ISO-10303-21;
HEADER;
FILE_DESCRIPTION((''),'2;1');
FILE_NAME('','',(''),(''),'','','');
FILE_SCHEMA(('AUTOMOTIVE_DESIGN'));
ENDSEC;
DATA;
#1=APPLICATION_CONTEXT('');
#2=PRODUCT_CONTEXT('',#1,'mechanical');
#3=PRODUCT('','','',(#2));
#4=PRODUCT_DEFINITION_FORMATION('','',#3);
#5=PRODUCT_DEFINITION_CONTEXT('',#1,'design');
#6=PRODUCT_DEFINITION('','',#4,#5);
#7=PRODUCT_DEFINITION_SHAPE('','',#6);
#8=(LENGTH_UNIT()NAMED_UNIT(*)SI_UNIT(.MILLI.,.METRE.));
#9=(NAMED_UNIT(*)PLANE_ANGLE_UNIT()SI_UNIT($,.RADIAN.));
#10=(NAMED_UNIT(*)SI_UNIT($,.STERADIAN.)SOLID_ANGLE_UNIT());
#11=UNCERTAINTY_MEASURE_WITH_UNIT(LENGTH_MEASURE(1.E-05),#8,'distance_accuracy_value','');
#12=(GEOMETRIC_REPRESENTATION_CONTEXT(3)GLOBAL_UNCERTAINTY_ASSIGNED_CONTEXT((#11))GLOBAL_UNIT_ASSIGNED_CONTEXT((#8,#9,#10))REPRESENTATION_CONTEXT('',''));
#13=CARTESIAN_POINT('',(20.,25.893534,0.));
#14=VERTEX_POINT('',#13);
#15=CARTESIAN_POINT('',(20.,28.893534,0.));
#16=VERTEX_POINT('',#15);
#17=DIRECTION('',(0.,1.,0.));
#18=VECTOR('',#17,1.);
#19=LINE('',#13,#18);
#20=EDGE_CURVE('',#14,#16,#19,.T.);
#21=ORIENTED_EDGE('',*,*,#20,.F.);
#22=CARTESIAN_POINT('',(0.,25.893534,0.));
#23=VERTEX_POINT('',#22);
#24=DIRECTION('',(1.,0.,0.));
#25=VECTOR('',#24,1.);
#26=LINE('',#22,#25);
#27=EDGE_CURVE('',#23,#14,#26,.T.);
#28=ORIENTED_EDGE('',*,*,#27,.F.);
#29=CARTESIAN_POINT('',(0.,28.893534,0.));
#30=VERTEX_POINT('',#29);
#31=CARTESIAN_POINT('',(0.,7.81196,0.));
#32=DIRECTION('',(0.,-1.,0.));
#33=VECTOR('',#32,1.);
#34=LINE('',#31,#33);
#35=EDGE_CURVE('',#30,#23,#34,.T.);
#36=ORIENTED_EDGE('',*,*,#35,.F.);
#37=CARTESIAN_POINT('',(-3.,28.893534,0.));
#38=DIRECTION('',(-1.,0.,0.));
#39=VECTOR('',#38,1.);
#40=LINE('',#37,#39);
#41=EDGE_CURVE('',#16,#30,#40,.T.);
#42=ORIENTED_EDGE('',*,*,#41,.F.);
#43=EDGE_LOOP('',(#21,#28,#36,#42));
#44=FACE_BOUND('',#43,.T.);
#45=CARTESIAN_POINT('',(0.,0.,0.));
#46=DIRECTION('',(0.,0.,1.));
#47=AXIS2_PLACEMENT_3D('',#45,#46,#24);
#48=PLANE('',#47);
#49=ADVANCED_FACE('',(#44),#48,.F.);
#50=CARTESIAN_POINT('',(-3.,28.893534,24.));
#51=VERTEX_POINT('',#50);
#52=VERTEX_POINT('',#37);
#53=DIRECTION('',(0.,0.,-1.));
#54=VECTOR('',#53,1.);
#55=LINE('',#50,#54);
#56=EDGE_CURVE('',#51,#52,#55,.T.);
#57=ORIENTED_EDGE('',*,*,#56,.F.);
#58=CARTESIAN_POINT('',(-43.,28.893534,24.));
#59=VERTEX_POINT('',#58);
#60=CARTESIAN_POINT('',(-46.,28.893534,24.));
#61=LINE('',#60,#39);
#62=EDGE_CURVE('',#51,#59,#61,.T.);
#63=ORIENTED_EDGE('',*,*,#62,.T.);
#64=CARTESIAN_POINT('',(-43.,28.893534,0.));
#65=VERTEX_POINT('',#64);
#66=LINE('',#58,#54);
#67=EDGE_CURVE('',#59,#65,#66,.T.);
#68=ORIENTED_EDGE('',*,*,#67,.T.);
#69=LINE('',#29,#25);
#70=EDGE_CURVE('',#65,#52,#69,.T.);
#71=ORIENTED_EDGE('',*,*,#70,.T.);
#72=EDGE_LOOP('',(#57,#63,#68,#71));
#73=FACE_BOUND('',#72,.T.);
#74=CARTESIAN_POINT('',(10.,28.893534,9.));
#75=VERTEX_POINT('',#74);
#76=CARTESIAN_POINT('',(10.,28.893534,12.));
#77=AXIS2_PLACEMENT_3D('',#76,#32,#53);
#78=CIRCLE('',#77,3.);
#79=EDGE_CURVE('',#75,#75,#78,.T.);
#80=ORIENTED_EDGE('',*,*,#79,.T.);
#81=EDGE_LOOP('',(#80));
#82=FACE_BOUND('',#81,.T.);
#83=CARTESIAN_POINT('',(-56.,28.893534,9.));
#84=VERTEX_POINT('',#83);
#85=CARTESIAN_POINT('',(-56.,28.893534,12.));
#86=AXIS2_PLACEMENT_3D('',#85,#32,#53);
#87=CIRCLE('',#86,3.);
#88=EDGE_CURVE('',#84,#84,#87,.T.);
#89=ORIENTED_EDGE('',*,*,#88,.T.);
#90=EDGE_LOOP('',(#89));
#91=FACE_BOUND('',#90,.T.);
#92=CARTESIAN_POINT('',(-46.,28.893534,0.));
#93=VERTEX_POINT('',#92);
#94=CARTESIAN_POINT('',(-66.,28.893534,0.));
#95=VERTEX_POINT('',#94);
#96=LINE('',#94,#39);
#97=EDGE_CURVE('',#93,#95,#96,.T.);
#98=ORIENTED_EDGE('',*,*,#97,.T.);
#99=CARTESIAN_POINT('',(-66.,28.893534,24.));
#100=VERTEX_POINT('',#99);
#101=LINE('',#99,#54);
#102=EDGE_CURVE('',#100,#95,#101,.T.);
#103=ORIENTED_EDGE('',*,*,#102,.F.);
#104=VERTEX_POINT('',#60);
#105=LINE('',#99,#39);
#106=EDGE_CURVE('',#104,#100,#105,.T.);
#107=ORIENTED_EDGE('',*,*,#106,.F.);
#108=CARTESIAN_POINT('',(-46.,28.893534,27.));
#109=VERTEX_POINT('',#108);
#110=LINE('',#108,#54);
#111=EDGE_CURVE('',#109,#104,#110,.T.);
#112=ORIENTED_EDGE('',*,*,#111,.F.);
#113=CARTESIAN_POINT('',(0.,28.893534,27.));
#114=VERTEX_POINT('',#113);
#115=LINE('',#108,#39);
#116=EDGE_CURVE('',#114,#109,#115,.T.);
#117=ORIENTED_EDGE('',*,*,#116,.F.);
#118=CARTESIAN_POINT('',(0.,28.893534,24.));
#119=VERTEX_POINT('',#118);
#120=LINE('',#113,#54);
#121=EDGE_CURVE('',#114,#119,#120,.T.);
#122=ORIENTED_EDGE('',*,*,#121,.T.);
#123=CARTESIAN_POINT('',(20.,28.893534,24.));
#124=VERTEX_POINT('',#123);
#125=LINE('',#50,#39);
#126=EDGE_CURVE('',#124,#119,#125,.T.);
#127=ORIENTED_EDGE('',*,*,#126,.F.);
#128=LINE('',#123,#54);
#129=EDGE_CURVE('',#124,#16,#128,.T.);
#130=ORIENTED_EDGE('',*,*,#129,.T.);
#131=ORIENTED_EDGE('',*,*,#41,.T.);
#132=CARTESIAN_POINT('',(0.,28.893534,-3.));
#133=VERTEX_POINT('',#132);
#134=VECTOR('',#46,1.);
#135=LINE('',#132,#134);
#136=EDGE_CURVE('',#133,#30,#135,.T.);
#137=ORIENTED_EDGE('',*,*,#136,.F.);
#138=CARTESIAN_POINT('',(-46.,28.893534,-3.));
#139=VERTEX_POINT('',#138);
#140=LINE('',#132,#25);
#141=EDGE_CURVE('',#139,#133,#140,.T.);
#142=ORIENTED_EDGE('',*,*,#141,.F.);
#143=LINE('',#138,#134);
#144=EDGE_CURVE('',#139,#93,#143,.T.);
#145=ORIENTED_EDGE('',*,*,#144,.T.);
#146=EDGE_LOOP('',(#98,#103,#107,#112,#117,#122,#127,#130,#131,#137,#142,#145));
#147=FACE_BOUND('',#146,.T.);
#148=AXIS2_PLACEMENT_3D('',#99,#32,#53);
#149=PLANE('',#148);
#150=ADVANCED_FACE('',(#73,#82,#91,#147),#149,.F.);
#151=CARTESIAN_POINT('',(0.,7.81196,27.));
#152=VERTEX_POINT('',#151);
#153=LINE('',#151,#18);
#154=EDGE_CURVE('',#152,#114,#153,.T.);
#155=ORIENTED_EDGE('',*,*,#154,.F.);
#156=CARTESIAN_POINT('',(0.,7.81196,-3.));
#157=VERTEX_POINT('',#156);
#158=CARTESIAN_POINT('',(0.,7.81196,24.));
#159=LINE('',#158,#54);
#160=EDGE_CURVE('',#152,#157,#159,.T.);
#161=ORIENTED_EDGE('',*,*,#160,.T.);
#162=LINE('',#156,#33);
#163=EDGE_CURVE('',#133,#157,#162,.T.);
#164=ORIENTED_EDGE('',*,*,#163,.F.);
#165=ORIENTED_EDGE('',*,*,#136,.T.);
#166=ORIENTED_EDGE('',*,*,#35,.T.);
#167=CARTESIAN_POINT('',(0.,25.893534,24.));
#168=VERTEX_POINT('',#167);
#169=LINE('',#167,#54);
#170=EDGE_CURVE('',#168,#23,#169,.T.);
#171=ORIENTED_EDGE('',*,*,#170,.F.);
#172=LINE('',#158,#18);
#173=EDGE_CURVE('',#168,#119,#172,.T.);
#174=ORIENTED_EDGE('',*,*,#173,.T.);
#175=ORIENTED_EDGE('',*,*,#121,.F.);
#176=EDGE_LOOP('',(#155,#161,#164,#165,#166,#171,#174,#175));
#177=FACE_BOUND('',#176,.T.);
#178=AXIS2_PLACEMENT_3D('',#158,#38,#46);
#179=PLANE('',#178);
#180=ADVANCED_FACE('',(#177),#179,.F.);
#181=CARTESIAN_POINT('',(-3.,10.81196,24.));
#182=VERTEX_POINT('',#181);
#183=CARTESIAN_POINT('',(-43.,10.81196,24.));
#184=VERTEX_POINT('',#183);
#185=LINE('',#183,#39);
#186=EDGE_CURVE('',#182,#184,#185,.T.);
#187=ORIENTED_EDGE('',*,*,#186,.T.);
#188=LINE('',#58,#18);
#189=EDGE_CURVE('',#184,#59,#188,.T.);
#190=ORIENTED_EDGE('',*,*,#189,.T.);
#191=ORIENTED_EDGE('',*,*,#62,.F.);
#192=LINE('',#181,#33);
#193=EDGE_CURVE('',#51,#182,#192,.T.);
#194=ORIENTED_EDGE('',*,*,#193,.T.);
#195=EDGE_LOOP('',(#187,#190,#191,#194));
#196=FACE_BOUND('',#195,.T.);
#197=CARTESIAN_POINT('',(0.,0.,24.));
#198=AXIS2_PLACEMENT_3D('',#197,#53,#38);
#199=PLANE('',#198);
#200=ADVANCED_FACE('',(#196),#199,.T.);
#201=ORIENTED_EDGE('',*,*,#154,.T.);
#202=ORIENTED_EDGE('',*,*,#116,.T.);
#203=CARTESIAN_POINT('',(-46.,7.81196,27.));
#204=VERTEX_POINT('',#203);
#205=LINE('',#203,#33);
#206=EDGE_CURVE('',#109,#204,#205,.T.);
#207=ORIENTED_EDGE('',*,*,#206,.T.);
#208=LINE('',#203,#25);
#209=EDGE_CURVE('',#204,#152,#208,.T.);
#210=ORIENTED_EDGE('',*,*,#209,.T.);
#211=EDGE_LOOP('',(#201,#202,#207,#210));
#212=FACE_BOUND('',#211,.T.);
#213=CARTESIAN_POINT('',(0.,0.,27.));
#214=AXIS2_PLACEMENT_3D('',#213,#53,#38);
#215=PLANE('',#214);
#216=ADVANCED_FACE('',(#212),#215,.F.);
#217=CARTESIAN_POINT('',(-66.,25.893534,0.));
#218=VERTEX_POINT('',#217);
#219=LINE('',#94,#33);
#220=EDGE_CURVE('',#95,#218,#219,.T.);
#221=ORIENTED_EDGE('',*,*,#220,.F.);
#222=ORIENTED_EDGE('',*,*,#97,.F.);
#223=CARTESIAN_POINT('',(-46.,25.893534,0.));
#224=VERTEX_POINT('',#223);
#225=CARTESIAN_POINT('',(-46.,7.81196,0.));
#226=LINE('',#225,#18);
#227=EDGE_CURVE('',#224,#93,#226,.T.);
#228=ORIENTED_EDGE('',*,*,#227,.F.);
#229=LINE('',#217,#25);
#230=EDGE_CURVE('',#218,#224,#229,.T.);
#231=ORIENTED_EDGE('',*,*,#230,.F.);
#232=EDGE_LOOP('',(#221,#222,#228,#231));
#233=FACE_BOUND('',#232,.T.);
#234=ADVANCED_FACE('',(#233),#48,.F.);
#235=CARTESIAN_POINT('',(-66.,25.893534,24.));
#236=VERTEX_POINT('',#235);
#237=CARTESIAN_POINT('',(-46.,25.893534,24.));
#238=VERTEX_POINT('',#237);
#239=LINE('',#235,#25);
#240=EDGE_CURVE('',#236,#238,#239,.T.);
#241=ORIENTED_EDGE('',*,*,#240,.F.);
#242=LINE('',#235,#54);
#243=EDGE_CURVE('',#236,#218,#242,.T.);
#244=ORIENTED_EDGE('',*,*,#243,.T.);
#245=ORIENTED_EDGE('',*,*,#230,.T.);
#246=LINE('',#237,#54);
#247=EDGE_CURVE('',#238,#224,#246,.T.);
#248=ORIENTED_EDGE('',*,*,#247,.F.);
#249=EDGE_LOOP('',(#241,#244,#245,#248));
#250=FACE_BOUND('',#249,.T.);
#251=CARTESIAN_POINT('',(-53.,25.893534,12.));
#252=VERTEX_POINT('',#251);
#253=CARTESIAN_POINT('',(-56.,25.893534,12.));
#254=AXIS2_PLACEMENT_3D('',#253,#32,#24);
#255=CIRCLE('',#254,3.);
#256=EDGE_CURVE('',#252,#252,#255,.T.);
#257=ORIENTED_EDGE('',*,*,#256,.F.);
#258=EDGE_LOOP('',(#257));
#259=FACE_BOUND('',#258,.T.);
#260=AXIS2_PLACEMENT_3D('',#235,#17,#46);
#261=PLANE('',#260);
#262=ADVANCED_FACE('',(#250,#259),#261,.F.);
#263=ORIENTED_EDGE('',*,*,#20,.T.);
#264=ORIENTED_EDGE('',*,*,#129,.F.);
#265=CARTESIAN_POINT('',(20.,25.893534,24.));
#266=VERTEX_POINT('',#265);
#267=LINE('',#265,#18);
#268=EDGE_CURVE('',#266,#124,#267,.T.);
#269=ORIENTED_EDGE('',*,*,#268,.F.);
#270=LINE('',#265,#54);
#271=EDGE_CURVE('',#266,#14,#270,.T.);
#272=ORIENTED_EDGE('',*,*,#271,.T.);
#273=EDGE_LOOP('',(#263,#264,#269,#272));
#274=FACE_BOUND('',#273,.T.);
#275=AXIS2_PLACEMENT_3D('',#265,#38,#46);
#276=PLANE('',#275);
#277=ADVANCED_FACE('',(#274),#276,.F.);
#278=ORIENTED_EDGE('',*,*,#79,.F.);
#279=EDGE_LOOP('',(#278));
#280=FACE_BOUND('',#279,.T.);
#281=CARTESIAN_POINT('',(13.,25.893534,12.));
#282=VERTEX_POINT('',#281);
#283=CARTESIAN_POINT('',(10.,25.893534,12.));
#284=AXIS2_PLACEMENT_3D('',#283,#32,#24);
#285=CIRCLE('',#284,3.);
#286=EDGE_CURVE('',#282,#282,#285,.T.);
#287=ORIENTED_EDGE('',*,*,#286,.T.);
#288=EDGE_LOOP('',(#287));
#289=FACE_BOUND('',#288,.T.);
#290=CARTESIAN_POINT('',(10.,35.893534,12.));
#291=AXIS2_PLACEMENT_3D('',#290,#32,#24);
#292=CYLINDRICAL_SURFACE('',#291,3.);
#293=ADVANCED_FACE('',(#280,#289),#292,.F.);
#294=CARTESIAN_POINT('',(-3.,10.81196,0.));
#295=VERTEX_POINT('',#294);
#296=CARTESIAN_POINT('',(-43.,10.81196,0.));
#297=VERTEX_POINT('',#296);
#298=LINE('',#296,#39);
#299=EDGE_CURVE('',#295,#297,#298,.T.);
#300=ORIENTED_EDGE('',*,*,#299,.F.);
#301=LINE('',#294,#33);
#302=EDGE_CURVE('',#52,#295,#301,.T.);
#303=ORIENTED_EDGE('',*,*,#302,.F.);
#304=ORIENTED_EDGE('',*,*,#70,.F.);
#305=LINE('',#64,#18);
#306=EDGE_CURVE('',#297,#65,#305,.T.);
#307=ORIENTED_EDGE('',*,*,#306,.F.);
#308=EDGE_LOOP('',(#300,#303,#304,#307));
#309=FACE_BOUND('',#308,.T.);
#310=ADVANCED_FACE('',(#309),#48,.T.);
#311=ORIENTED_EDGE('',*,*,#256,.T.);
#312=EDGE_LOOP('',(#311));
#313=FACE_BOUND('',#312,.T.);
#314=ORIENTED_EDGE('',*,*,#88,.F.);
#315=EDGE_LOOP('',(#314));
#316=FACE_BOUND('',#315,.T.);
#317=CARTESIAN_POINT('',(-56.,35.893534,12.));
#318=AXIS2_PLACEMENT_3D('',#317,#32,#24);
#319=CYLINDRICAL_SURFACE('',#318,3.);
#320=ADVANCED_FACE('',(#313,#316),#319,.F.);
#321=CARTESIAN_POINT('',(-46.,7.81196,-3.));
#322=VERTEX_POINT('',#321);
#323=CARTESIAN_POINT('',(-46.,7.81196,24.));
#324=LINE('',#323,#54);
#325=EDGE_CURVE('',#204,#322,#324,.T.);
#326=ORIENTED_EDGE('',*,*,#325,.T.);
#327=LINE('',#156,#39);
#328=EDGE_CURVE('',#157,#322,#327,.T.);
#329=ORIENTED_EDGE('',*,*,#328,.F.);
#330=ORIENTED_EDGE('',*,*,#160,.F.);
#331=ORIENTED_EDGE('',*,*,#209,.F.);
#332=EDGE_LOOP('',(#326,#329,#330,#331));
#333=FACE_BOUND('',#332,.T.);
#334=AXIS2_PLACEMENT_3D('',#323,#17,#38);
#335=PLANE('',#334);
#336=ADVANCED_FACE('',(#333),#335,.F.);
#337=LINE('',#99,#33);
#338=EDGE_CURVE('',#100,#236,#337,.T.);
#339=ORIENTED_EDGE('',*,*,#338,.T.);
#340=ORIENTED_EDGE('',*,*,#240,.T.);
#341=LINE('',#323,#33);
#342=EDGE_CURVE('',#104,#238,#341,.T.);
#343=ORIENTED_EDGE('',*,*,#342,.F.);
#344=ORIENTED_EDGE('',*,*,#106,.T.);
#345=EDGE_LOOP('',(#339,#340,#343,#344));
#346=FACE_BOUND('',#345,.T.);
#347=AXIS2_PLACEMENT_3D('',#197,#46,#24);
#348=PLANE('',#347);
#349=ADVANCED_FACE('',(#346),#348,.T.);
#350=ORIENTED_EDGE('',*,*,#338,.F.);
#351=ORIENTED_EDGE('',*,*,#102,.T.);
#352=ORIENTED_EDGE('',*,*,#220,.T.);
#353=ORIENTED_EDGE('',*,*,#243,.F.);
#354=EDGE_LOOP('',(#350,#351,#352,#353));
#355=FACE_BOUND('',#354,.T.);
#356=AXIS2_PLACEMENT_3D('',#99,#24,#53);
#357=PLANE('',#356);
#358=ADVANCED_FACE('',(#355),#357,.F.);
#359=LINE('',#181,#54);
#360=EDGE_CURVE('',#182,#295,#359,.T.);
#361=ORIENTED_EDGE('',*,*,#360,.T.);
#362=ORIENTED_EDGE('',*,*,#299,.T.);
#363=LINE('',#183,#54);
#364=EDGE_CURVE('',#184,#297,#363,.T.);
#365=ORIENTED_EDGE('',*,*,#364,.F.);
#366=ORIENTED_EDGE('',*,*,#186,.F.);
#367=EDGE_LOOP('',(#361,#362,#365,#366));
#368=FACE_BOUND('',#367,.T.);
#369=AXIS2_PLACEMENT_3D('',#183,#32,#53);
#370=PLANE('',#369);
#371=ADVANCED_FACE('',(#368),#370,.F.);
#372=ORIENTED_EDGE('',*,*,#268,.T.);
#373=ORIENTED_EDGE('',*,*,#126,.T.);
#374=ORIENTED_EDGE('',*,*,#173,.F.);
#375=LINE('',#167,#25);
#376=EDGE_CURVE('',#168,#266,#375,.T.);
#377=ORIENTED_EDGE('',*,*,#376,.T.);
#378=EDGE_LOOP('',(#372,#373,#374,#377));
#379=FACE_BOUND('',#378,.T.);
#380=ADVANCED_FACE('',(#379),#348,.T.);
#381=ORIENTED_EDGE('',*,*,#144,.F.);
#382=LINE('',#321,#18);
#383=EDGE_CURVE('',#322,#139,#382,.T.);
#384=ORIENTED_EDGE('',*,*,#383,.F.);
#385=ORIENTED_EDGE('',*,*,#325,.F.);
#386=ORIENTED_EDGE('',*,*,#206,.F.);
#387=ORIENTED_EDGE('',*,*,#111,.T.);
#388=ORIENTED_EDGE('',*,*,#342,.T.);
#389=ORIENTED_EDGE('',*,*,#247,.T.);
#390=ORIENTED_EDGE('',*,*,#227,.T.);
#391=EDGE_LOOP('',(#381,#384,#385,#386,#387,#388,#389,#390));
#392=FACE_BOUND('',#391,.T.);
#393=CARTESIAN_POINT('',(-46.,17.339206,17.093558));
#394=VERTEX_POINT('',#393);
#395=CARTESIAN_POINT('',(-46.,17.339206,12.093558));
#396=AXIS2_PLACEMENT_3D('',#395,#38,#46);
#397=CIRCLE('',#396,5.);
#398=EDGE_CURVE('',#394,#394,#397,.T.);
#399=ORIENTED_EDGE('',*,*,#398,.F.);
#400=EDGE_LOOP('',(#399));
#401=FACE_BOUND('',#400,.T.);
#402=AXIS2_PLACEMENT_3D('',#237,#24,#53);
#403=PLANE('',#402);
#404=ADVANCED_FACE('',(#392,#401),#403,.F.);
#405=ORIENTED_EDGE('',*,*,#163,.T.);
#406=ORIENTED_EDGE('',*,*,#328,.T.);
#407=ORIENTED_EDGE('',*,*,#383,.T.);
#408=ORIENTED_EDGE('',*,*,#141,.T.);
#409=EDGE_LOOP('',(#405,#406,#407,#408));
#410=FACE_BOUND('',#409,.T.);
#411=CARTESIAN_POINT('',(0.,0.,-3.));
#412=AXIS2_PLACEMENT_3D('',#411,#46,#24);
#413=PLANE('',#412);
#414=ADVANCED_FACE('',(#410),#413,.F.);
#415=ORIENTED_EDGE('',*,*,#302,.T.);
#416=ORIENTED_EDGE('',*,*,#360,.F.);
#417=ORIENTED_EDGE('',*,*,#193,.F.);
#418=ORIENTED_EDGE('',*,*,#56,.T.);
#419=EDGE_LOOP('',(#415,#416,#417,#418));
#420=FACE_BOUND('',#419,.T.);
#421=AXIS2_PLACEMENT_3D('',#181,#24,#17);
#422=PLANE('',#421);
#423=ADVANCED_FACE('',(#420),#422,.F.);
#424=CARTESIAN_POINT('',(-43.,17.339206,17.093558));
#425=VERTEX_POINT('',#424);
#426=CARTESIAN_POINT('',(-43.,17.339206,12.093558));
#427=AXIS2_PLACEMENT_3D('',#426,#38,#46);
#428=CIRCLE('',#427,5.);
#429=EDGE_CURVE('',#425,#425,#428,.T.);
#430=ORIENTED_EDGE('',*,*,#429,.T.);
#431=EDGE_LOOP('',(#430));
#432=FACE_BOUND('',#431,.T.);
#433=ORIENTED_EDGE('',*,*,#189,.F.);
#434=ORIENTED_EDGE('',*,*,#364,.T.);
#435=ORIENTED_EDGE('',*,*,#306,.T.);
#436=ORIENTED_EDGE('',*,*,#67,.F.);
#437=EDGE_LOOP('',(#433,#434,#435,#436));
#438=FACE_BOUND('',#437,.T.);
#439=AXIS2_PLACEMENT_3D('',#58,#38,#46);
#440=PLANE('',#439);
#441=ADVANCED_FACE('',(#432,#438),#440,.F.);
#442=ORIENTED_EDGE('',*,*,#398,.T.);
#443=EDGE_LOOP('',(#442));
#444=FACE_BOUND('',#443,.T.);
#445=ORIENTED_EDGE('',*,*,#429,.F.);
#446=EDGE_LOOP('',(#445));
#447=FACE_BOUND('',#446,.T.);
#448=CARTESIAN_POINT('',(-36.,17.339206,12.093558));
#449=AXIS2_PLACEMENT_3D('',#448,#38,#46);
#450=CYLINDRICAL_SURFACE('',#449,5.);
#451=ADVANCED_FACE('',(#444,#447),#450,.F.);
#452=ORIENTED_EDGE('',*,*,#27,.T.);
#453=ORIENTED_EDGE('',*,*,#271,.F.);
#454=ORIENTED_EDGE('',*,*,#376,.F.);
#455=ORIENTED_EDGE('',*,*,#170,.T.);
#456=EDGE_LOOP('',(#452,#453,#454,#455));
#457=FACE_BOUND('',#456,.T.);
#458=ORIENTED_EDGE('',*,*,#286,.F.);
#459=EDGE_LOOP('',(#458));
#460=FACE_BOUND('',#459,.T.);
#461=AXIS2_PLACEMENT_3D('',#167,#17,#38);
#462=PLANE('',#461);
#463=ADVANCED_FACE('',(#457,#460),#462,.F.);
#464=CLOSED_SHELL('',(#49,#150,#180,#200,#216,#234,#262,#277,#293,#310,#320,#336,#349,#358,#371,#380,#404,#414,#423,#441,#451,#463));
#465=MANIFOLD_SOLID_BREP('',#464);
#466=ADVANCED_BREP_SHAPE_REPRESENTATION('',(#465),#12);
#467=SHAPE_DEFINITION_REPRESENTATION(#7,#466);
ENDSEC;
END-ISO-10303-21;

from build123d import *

# Parameters (mm, degrees)
EXTRUDE_1_DEPTH     = 24
SKETCH_2_W          = 46
SKETCH_2_H          = 21.081573772
EXTRUDE_2_DEPTH     = 3
SKETCH_3_W          = 46
SKETCH_3_H          = 21.081573772
EXTRUDE_3_DEPTH     = 3
SKETCH_6_R          = 5
CUT_EXTRUDE_2_DEPTH = 10
SKETCH_7_R          = 3
CUT_EXTRUDE_3_DEPTH = 10


with BuildPart() as part:
    # 草图1 → 凸台-拉伸1 (new body)
    with BuildSketch(Plane.XY):
        Polygon((-66, 28.893533875), (-43, 28.893533875), (-43, 10.811960103), (-3, 10.811960103), (-3, 28.893533875), (20, 28.893533875), (20, 25.893533875), (0, 25.893533875), (0, 7.811960103), (-46, 7.811960103), (-46, 25.893533875), (-66, 25.893533875), align=None)
    extrude(amount=EXTRUDE_1_DEPTH)

    # 草图2 → 凸台-拉伸2 (add)
    with BuildSketch(Plane.XY.offset(24)):
        with Locations((-23, 18.352746989)):
            Rectangle(SKETCH_2_W, SKETCH_2_H)
    extrude(amount=EXTRUDE_2_DEPTH)

    # 草图3 → 凸台-拉伸3 (add)
    with BuildSketch(Plane(origin=(0, 0, 0), x_dir=(-1, 0, 0), z_dir=(0, 0, -1))):
        with Locations((23, 18.352746989)):
            Rectangle(SKETCH_3_W, SKETCH_3_H)
    extrude(amount=EXTRUDE_3_DEPTH)

    # 草图6 → 切除-拉伸2 (cut)
    with BuildSketch(Plane.ZY.offset(46)):
        with Locations((12.093557596, 17.339206361)):
            Circle(SKETCH_6_R)
    extrude(amount=-CUT_EXTRUDE_2_DEPTH, mode=Mode.SUBTRACT)

    # 草图7 → 切除-拉伸3 (cut)
    with BuildSketch(Plane.XZ.offset(-25.893533875)):
        with Locations((10, 12)):
            Circle(SKETCH_7_R)
        with Locations((-56, 12)):
            Circle(SKETCH_7_R)
    extrude(amount=-CUT_EXTRUDE_3_DEPTH, mode=Mode.SUBTRACT)


solid = part.part
